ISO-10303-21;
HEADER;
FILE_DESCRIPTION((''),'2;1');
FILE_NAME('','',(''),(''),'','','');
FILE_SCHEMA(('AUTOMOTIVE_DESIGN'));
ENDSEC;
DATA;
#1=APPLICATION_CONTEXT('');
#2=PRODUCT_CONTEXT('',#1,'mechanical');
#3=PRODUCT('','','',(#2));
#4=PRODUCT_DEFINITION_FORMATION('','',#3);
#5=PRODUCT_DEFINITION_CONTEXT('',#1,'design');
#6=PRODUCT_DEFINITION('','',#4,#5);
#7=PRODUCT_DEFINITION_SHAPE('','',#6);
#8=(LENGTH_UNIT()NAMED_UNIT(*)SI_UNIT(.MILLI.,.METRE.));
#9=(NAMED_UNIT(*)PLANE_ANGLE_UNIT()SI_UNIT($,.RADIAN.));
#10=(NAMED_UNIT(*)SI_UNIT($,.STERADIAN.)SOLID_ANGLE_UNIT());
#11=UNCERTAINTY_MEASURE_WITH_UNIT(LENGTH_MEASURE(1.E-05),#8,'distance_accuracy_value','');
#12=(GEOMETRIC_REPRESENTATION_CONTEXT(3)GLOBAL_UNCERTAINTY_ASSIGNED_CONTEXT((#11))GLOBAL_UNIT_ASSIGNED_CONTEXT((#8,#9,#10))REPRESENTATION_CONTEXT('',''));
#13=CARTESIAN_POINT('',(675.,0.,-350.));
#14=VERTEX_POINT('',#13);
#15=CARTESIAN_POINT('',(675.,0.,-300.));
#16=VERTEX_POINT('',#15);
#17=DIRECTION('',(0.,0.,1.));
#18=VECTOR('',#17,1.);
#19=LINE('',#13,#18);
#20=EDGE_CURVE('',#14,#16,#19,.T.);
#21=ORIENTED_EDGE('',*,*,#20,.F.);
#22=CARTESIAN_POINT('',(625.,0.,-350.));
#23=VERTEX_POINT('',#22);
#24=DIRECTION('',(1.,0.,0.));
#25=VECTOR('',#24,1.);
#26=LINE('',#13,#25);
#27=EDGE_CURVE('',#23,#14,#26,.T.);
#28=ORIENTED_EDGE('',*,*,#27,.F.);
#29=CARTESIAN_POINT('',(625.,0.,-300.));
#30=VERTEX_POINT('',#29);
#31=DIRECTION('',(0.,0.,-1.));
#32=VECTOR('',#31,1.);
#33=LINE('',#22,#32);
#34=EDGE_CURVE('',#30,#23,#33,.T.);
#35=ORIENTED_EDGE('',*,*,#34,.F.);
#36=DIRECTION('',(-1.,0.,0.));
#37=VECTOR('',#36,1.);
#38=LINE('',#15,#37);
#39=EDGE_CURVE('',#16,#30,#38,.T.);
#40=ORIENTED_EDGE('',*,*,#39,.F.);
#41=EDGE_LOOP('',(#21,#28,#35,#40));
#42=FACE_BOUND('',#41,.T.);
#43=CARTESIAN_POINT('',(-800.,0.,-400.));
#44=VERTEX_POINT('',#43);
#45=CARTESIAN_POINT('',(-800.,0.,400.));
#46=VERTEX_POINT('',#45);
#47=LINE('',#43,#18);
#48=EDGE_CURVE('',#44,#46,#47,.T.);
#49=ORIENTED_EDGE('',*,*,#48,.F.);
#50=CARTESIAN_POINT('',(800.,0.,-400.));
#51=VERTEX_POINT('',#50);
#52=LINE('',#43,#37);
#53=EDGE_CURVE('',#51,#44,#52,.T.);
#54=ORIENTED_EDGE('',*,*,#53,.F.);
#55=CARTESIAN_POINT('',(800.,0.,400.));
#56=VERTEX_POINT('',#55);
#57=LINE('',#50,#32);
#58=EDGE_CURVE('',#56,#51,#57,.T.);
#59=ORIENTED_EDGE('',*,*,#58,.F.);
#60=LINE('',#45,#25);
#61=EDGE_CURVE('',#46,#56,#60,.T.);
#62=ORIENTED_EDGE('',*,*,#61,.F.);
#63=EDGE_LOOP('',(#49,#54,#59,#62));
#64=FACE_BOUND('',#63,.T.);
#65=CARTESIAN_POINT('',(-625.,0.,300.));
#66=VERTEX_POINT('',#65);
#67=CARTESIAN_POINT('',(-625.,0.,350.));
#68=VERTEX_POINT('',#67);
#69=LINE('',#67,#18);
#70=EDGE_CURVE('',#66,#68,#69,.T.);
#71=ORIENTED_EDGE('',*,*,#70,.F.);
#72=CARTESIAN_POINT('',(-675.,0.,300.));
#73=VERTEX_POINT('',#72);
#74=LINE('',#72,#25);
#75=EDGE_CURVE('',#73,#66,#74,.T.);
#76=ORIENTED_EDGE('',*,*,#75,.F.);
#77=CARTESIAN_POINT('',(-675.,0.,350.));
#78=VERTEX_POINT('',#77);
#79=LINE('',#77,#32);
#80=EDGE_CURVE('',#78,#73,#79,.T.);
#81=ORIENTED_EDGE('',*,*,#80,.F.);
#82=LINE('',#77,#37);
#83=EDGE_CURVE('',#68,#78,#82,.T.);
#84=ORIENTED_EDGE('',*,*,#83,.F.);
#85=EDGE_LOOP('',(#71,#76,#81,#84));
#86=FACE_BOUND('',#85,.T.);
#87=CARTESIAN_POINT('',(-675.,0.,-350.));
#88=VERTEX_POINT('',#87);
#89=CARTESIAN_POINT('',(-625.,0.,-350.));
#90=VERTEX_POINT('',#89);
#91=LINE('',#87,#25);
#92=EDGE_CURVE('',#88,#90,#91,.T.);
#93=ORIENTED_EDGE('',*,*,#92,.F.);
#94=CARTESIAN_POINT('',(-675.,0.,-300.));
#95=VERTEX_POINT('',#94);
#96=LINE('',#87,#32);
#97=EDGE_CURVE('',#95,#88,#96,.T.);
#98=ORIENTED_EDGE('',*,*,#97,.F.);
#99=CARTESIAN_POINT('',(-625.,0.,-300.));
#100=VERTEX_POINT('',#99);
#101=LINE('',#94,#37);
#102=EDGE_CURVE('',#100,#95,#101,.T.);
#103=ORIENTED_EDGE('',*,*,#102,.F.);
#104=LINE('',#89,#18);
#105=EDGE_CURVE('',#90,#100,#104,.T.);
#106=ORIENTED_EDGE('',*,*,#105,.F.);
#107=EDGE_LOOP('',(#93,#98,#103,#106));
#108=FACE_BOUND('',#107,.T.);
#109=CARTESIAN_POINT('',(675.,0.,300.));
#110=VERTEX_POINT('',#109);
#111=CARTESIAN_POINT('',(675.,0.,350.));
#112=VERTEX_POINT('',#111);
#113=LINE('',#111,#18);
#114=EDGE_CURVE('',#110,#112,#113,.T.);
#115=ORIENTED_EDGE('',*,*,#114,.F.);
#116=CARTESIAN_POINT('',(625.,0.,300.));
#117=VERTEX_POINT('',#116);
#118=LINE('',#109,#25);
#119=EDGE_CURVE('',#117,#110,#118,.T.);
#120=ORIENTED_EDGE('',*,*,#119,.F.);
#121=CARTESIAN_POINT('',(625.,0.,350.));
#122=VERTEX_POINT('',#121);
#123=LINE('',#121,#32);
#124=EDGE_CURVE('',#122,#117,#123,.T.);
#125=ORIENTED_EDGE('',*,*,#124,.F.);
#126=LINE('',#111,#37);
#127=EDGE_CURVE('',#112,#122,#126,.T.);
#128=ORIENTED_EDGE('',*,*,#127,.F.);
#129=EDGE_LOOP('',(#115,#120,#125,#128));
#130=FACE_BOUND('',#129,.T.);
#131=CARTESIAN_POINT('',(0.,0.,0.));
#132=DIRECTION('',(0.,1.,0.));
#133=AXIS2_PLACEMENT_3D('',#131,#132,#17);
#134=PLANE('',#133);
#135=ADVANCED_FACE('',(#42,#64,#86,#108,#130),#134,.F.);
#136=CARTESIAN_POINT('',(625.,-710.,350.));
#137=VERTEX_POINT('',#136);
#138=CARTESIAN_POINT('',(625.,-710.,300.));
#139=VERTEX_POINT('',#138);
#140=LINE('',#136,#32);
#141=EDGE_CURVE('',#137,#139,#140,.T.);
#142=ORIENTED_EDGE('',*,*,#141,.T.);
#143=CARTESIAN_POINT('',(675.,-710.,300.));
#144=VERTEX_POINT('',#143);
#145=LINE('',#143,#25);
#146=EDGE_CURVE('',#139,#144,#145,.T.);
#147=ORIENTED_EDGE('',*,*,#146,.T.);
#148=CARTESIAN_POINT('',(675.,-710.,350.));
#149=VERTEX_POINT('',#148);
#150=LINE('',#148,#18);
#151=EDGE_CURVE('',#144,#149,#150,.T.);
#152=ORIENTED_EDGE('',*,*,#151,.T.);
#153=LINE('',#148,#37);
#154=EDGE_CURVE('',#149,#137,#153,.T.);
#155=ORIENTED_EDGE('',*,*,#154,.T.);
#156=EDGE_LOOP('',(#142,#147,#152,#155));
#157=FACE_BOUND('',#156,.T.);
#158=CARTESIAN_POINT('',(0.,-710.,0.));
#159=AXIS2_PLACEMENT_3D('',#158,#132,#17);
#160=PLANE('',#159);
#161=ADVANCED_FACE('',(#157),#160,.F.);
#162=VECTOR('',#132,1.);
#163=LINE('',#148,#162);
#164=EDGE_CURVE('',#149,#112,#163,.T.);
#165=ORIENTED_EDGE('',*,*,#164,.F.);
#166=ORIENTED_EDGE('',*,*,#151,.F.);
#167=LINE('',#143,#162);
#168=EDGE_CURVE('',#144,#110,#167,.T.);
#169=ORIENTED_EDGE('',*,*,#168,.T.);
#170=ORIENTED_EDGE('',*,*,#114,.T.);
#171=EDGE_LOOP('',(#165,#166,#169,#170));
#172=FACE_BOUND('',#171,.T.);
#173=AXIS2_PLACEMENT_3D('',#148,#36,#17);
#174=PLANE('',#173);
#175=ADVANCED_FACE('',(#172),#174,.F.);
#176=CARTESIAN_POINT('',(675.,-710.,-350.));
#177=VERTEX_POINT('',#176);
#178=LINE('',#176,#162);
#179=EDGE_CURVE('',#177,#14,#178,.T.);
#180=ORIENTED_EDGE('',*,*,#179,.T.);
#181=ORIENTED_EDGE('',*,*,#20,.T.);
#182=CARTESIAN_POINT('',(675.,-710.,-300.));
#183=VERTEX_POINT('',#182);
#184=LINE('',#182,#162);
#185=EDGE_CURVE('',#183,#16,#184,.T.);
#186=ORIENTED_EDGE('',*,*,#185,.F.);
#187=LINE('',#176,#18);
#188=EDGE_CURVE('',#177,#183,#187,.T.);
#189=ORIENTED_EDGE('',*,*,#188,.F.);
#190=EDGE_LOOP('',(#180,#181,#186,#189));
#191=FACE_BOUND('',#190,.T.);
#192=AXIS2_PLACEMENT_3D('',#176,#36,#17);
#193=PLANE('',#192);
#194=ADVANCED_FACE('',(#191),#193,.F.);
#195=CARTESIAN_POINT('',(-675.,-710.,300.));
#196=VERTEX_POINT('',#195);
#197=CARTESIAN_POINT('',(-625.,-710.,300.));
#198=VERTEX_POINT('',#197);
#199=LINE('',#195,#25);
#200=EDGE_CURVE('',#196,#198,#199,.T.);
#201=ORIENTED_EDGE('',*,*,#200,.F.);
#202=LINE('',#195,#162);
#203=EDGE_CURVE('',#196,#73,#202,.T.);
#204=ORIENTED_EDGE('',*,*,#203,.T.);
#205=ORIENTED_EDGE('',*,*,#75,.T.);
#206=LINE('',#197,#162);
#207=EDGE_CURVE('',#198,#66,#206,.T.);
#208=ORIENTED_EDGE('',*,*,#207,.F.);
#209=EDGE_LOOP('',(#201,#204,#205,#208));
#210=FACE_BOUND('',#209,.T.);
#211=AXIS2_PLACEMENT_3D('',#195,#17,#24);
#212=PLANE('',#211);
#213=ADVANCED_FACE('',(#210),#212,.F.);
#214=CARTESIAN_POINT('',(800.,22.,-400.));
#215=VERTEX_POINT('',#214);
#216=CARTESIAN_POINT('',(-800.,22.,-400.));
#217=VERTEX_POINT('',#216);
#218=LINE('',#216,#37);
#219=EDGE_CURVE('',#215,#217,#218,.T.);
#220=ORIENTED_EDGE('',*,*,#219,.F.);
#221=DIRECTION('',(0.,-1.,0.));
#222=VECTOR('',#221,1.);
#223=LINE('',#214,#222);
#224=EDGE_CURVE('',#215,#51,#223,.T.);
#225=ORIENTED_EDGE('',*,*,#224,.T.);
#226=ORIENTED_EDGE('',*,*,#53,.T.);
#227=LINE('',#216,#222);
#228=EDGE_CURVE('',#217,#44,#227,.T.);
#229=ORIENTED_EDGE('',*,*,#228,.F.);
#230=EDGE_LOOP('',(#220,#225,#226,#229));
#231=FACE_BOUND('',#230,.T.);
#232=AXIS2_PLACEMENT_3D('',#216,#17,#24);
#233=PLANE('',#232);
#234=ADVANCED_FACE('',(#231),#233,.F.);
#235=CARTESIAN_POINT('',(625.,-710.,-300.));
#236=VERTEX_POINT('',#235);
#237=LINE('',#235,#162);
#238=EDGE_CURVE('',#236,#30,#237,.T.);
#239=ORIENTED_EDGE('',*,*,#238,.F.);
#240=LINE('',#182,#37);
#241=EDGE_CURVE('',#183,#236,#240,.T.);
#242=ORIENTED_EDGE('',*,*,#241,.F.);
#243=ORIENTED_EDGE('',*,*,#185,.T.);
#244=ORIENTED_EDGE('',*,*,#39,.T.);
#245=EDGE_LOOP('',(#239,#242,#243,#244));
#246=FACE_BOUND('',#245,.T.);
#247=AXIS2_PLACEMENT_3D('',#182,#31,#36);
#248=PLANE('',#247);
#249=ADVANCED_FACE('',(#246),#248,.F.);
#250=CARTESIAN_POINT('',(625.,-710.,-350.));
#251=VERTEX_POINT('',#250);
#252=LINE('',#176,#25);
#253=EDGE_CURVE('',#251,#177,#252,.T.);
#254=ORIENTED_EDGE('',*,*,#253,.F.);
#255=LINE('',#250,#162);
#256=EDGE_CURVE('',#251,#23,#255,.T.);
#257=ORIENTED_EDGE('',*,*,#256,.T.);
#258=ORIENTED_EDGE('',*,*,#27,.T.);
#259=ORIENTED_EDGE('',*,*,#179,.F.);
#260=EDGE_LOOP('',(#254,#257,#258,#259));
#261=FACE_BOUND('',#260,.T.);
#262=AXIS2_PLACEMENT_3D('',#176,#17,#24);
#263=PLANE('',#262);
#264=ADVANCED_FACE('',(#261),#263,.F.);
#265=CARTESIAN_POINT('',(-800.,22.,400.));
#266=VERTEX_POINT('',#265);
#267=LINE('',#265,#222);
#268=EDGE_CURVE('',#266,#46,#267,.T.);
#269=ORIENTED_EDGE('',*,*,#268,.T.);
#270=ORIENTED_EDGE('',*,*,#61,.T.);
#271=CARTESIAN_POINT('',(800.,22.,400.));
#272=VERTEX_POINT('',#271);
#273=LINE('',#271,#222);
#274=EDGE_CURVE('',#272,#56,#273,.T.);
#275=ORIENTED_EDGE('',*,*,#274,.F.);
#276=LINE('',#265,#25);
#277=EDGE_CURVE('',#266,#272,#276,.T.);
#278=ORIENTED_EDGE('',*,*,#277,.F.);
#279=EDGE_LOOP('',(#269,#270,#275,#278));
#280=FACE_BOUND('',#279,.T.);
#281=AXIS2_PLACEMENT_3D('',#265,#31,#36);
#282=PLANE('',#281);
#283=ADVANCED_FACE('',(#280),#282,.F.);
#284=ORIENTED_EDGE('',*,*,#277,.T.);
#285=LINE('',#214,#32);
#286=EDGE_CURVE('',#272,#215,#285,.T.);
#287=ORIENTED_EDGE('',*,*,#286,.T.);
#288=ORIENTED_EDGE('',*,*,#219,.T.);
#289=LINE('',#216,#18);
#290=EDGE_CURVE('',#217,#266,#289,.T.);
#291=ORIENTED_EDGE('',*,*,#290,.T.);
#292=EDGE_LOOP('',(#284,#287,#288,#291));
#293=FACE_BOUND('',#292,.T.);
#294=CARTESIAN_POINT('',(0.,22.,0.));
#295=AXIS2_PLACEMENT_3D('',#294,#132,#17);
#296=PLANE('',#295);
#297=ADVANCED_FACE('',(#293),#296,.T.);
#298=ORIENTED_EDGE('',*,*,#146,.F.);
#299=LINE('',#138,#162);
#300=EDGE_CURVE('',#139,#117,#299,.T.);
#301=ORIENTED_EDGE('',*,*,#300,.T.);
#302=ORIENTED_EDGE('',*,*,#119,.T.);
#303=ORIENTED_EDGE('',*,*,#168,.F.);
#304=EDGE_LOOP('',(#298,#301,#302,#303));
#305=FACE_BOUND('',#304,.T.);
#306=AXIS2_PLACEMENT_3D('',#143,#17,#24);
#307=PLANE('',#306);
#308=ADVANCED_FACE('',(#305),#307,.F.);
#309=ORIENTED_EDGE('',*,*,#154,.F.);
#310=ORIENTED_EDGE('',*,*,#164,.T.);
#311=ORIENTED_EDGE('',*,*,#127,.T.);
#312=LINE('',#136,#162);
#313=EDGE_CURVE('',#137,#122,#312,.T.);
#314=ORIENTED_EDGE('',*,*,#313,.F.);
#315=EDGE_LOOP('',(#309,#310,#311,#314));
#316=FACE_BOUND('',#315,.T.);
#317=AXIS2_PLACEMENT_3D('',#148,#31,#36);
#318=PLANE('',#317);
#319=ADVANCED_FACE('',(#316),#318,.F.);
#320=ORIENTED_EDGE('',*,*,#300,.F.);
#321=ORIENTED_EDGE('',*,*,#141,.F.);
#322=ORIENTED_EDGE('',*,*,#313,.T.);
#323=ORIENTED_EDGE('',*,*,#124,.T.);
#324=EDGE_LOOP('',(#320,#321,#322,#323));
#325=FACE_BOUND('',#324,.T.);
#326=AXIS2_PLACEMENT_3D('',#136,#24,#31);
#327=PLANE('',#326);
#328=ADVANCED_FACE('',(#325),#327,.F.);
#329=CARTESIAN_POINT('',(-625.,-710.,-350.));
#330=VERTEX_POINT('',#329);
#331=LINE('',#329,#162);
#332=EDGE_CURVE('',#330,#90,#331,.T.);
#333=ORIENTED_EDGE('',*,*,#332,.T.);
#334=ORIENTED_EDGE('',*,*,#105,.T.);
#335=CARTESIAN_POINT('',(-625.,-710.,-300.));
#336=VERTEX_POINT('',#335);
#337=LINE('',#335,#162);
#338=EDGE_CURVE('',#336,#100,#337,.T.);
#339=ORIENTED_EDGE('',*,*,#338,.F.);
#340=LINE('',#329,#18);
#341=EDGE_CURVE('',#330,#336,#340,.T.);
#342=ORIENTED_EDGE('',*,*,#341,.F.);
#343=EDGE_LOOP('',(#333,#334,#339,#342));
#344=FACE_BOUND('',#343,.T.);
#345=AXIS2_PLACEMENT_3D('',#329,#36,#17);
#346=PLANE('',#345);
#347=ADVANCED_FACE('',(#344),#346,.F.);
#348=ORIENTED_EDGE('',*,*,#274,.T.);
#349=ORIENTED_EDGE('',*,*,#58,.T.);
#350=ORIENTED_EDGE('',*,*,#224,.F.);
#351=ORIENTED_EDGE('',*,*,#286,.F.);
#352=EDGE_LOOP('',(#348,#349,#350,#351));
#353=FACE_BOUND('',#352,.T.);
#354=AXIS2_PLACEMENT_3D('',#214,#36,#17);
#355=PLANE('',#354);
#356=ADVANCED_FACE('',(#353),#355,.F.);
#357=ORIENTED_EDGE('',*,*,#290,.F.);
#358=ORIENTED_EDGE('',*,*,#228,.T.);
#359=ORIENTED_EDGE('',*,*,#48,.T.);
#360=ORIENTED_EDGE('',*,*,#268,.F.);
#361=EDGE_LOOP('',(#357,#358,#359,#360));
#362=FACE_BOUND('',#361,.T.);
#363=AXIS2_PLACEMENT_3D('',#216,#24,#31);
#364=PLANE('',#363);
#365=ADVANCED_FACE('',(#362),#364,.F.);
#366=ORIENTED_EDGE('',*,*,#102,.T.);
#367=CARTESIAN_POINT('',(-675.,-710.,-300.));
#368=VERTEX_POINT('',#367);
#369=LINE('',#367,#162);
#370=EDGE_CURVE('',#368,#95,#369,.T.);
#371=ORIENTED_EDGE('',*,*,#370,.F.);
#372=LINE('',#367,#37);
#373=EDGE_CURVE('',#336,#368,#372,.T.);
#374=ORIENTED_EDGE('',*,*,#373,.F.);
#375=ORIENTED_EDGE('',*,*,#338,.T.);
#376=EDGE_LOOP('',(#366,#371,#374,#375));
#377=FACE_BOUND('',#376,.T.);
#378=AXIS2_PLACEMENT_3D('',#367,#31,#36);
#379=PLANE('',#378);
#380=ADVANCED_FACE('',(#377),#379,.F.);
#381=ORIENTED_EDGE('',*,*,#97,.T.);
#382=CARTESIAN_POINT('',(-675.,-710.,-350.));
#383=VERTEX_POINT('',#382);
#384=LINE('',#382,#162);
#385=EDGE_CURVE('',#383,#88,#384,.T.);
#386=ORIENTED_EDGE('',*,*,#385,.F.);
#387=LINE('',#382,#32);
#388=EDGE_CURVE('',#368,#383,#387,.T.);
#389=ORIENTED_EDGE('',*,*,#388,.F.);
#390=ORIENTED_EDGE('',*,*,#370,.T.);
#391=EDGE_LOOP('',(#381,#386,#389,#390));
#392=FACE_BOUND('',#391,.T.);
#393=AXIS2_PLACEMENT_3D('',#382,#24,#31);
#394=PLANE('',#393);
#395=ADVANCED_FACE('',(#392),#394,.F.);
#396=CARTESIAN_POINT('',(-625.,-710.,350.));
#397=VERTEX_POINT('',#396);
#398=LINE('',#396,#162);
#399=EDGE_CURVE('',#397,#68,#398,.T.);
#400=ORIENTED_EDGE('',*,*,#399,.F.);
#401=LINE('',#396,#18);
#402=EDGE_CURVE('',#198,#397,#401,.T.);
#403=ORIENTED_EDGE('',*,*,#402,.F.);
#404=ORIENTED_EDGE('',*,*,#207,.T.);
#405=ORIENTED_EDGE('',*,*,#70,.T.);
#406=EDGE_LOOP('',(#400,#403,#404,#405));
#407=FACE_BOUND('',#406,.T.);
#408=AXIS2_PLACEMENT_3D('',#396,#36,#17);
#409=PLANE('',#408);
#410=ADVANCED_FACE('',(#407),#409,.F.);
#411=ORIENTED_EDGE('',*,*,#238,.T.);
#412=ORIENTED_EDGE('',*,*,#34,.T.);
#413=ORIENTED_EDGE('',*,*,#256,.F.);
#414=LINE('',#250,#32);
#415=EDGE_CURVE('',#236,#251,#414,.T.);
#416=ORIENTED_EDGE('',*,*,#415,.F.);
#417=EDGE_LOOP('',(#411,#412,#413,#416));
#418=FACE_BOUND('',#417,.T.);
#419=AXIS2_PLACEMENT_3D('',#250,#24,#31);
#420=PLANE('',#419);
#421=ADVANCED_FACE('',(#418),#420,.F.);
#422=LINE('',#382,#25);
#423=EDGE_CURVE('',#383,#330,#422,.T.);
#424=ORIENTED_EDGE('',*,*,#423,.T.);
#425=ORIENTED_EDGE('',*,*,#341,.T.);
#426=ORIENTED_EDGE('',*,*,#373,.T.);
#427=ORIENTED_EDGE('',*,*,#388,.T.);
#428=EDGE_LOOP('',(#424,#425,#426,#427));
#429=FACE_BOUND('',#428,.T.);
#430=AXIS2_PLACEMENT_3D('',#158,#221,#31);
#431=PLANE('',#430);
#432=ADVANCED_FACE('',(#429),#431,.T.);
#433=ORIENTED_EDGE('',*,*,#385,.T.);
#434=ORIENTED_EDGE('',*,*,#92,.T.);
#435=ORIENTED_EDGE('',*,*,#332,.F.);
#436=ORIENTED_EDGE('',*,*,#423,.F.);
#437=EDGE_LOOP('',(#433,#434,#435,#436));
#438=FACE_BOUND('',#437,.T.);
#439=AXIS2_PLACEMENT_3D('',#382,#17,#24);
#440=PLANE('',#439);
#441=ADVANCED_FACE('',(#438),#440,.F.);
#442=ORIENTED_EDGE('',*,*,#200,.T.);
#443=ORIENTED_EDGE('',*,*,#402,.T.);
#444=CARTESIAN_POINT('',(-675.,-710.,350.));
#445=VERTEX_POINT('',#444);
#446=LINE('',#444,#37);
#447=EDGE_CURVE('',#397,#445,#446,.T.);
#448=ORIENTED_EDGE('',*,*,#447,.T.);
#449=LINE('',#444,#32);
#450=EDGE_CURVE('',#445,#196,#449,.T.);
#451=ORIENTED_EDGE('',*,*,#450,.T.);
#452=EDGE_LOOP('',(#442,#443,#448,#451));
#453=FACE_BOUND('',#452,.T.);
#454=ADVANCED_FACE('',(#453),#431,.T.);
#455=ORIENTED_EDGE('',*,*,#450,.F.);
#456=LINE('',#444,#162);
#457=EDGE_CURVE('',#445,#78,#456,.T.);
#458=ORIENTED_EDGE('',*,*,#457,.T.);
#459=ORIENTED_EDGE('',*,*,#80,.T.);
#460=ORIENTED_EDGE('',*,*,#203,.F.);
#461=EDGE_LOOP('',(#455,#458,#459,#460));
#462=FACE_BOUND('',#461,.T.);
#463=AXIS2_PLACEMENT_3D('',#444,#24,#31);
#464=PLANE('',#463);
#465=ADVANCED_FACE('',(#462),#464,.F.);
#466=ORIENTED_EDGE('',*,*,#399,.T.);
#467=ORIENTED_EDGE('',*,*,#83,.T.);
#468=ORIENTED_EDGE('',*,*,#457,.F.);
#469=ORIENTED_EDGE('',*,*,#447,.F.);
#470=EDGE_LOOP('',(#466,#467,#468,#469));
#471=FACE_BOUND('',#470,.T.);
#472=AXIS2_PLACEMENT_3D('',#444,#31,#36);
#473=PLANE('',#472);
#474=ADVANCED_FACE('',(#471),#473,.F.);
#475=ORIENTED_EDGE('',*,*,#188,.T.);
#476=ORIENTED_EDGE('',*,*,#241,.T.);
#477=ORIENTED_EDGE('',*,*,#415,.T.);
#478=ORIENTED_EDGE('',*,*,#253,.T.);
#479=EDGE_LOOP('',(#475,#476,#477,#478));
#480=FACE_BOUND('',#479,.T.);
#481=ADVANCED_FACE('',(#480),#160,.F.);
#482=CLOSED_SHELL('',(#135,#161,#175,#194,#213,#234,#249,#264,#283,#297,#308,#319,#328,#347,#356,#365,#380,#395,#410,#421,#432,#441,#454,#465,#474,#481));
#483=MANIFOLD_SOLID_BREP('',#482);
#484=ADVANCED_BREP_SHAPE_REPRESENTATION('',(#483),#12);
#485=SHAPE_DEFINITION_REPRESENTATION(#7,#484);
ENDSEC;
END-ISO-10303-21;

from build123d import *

# Parameters (mm, degrees)
SKETCH1_W           = 1600
SKETCH1_H           = 800
BOSS_EXTRUDE1_DEPTH = 22
SKETCH2_W           = 50
SKETCH2_H           = 50
BOSS_EXTRUDE2_DEPTH = 710


with BuildPart() as part:
    # Sketch1 → Boss-Extrude1 (new body)
    with BuildSketch(Plane(origin=(0, 0, 0), x_dir=(1, 0, 0), z_dir=(0, 1, 0))):
        Rectangle(SKETCH1_W, SKETCH1_H)
    extrude(amount=BOSS_EXTRUDE1_DEPTH)

    # Sketch2 → Boss-Extrude2 (add)
    with BuildSketch(Plane.XZ):
        with Locations((650, 325)):
            Rectangle(SKETCH2_W, SKETCH2_H)
        with Locations((-650, 325)):
            Rectangle(SKETCH2_W, SKETCH2_H)
        with Locations((-650, -325)):
            Rectangle(SKETCH2_W, SKETCH2_H)
        with Locations((650, -325)):
            Rectangle(SKETCH2_W, SKETCH2_H)
    extrude(amount=BOSS_EXTRUDE2_DEPTH)


solid = part.part
